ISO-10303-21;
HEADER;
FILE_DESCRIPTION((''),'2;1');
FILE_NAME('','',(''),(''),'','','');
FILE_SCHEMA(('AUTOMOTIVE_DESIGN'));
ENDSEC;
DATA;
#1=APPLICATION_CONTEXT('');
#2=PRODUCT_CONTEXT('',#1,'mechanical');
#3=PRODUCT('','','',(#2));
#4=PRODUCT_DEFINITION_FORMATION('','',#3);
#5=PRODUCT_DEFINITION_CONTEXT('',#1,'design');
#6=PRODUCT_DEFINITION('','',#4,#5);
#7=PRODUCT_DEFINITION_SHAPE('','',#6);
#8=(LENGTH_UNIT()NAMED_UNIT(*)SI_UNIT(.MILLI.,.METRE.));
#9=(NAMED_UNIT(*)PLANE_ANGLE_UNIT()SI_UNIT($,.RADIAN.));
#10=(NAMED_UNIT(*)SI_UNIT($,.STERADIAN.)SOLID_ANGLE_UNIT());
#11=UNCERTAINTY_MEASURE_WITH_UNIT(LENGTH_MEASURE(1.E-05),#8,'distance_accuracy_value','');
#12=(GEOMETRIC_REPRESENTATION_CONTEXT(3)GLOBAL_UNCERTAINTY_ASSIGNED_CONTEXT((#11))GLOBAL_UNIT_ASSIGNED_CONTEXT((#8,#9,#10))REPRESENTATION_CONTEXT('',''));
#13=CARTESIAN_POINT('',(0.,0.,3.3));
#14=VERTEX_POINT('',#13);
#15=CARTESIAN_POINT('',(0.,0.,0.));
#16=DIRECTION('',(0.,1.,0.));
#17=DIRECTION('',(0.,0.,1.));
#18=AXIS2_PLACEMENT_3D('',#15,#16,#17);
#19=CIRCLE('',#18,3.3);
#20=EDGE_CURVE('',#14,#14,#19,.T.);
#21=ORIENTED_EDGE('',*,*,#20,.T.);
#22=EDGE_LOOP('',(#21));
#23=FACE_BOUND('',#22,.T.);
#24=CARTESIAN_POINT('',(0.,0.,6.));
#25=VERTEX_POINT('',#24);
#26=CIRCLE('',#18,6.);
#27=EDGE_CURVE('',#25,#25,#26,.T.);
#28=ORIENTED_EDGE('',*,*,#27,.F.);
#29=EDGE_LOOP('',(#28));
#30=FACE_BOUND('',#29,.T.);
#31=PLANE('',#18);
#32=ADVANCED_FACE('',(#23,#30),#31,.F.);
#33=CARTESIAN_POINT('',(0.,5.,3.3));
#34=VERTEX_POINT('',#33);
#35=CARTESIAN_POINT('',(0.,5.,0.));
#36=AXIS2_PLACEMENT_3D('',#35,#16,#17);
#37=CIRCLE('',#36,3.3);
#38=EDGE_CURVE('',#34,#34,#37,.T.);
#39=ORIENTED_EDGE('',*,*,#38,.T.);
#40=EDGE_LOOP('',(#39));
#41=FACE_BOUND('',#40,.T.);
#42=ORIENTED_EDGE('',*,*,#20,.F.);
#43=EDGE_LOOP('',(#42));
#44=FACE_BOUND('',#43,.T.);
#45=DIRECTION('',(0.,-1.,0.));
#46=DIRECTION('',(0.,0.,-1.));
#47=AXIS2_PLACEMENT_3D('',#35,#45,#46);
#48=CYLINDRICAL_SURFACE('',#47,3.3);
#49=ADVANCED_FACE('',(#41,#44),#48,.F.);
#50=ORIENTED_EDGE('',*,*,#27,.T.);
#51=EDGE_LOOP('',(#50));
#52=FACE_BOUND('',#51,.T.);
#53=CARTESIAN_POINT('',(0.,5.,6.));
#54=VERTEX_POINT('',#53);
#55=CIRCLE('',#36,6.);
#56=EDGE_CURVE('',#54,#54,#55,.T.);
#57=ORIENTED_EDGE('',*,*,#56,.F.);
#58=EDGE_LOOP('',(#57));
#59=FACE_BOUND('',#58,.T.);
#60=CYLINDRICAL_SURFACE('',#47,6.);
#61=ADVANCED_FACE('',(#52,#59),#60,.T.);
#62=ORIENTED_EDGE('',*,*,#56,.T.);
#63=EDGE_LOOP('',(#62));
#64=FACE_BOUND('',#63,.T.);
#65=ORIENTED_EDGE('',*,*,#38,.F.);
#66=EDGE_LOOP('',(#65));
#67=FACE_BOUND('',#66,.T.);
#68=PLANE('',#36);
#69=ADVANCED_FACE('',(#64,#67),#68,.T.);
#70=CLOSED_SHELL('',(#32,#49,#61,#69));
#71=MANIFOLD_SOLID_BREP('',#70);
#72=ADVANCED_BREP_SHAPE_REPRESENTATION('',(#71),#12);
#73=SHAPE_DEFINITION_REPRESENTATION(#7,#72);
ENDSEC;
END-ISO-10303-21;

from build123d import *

# Parameters (mm, degrees)
SKETCH1_R           = 6
SKETCH1_R_2         = 3.3
BOSS_EXTRUDE1_DEPTH = 5


with BuildPart() as part:
    # Sketch1 → Boss-Extrude1 (new body)
    with BuildSketch(Plane(origin=(0, 0, 0), x_dir=(1, 0, 0), z_dir=(0, 1, 0))):
        Circle(SKETCH1_R)
        Circle(SKETCH1_R_2, mode=Mode.SUBTRACT)
    extrude(amount=BOSS_EXTRUDE1_DEPTH)


solid = part.part
